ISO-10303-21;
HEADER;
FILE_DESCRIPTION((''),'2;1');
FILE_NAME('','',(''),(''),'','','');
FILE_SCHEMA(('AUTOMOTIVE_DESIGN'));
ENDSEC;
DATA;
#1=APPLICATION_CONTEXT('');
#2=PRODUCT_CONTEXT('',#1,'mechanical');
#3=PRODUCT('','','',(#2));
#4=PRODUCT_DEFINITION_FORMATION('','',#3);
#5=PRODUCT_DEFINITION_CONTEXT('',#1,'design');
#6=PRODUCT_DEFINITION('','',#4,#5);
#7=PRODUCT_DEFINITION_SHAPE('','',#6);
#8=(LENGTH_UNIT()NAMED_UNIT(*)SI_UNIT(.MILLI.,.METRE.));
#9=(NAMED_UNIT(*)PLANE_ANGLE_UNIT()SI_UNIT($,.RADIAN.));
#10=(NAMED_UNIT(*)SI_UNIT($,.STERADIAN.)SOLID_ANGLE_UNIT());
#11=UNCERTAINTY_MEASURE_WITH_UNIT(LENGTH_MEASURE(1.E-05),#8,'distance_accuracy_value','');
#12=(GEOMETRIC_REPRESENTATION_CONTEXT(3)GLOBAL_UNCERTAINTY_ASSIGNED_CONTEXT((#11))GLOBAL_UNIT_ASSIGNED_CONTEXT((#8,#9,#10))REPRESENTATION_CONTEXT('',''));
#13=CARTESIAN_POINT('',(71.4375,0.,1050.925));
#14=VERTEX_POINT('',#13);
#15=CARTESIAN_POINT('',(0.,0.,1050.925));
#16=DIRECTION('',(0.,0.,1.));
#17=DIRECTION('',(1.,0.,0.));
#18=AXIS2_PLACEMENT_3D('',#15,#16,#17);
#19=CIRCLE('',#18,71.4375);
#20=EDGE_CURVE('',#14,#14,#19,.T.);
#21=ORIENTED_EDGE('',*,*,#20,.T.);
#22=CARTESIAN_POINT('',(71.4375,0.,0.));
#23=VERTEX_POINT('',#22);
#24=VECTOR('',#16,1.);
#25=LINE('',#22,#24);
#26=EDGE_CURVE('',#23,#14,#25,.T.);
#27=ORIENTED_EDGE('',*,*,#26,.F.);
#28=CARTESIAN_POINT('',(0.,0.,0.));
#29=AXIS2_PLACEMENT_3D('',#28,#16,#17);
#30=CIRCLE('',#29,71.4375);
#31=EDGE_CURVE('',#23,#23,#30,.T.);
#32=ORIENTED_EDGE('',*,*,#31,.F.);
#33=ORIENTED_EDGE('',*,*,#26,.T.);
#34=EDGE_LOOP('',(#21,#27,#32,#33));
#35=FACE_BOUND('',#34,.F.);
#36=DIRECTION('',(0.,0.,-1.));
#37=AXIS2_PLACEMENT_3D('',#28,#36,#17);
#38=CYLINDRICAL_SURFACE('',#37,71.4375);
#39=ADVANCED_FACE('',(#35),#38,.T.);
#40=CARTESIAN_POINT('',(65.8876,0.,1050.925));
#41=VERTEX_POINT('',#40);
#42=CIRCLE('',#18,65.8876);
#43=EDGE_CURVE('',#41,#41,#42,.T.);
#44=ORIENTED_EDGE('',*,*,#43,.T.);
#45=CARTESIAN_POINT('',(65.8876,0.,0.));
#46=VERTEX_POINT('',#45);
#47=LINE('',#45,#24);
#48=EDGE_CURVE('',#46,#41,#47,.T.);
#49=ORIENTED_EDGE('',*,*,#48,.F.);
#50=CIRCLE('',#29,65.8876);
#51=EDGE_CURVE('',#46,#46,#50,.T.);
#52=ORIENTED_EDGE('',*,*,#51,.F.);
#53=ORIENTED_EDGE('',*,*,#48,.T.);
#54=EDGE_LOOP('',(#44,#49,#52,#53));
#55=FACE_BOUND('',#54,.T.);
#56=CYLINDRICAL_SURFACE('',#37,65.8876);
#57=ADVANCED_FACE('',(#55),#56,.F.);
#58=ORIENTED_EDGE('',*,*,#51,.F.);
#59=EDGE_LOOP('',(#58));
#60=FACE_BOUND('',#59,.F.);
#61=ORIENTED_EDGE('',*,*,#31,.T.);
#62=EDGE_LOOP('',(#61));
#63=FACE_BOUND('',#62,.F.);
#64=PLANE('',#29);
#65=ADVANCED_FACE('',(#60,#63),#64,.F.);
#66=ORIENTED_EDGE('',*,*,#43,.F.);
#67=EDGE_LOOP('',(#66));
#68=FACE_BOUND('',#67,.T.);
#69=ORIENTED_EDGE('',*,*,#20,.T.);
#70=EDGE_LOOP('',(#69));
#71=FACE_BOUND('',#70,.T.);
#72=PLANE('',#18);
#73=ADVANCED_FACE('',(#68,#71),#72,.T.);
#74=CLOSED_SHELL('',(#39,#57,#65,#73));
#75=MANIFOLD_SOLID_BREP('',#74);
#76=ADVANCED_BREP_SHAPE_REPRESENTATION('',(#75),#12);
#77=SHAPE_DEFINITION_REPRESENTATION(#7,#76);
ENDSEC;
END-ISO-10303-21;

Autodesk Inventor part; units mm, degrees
ref_plane "YZ Plane" through (0, 0, 0) normal (1, 0, 0) x (0, 1, 0)
ref_plane "XZ Plane" through (0, 0, 0) normal (0, 1, 0) x (-1, 0, 0)
ref_plane "XY Plane" through (0, 0, 0) normal (0, 0, 1) x (1, 0, 0)
sketch "Sketch1" plane through (0, 0, 0) normal (0, 0, 1) x (1, 0, 0)
  circle A0 centre (0, 0) radius 71.4375
  circle A1 centre (0, 0) radius 65.8876
  dimension "d0" = 142.875
  dimension "d1" = 131.7752
extrude "Extrusion1" add sketch "Sketch1" along normal blind 1050.925
properties part number "Liner" material "Phenolic Resin"
